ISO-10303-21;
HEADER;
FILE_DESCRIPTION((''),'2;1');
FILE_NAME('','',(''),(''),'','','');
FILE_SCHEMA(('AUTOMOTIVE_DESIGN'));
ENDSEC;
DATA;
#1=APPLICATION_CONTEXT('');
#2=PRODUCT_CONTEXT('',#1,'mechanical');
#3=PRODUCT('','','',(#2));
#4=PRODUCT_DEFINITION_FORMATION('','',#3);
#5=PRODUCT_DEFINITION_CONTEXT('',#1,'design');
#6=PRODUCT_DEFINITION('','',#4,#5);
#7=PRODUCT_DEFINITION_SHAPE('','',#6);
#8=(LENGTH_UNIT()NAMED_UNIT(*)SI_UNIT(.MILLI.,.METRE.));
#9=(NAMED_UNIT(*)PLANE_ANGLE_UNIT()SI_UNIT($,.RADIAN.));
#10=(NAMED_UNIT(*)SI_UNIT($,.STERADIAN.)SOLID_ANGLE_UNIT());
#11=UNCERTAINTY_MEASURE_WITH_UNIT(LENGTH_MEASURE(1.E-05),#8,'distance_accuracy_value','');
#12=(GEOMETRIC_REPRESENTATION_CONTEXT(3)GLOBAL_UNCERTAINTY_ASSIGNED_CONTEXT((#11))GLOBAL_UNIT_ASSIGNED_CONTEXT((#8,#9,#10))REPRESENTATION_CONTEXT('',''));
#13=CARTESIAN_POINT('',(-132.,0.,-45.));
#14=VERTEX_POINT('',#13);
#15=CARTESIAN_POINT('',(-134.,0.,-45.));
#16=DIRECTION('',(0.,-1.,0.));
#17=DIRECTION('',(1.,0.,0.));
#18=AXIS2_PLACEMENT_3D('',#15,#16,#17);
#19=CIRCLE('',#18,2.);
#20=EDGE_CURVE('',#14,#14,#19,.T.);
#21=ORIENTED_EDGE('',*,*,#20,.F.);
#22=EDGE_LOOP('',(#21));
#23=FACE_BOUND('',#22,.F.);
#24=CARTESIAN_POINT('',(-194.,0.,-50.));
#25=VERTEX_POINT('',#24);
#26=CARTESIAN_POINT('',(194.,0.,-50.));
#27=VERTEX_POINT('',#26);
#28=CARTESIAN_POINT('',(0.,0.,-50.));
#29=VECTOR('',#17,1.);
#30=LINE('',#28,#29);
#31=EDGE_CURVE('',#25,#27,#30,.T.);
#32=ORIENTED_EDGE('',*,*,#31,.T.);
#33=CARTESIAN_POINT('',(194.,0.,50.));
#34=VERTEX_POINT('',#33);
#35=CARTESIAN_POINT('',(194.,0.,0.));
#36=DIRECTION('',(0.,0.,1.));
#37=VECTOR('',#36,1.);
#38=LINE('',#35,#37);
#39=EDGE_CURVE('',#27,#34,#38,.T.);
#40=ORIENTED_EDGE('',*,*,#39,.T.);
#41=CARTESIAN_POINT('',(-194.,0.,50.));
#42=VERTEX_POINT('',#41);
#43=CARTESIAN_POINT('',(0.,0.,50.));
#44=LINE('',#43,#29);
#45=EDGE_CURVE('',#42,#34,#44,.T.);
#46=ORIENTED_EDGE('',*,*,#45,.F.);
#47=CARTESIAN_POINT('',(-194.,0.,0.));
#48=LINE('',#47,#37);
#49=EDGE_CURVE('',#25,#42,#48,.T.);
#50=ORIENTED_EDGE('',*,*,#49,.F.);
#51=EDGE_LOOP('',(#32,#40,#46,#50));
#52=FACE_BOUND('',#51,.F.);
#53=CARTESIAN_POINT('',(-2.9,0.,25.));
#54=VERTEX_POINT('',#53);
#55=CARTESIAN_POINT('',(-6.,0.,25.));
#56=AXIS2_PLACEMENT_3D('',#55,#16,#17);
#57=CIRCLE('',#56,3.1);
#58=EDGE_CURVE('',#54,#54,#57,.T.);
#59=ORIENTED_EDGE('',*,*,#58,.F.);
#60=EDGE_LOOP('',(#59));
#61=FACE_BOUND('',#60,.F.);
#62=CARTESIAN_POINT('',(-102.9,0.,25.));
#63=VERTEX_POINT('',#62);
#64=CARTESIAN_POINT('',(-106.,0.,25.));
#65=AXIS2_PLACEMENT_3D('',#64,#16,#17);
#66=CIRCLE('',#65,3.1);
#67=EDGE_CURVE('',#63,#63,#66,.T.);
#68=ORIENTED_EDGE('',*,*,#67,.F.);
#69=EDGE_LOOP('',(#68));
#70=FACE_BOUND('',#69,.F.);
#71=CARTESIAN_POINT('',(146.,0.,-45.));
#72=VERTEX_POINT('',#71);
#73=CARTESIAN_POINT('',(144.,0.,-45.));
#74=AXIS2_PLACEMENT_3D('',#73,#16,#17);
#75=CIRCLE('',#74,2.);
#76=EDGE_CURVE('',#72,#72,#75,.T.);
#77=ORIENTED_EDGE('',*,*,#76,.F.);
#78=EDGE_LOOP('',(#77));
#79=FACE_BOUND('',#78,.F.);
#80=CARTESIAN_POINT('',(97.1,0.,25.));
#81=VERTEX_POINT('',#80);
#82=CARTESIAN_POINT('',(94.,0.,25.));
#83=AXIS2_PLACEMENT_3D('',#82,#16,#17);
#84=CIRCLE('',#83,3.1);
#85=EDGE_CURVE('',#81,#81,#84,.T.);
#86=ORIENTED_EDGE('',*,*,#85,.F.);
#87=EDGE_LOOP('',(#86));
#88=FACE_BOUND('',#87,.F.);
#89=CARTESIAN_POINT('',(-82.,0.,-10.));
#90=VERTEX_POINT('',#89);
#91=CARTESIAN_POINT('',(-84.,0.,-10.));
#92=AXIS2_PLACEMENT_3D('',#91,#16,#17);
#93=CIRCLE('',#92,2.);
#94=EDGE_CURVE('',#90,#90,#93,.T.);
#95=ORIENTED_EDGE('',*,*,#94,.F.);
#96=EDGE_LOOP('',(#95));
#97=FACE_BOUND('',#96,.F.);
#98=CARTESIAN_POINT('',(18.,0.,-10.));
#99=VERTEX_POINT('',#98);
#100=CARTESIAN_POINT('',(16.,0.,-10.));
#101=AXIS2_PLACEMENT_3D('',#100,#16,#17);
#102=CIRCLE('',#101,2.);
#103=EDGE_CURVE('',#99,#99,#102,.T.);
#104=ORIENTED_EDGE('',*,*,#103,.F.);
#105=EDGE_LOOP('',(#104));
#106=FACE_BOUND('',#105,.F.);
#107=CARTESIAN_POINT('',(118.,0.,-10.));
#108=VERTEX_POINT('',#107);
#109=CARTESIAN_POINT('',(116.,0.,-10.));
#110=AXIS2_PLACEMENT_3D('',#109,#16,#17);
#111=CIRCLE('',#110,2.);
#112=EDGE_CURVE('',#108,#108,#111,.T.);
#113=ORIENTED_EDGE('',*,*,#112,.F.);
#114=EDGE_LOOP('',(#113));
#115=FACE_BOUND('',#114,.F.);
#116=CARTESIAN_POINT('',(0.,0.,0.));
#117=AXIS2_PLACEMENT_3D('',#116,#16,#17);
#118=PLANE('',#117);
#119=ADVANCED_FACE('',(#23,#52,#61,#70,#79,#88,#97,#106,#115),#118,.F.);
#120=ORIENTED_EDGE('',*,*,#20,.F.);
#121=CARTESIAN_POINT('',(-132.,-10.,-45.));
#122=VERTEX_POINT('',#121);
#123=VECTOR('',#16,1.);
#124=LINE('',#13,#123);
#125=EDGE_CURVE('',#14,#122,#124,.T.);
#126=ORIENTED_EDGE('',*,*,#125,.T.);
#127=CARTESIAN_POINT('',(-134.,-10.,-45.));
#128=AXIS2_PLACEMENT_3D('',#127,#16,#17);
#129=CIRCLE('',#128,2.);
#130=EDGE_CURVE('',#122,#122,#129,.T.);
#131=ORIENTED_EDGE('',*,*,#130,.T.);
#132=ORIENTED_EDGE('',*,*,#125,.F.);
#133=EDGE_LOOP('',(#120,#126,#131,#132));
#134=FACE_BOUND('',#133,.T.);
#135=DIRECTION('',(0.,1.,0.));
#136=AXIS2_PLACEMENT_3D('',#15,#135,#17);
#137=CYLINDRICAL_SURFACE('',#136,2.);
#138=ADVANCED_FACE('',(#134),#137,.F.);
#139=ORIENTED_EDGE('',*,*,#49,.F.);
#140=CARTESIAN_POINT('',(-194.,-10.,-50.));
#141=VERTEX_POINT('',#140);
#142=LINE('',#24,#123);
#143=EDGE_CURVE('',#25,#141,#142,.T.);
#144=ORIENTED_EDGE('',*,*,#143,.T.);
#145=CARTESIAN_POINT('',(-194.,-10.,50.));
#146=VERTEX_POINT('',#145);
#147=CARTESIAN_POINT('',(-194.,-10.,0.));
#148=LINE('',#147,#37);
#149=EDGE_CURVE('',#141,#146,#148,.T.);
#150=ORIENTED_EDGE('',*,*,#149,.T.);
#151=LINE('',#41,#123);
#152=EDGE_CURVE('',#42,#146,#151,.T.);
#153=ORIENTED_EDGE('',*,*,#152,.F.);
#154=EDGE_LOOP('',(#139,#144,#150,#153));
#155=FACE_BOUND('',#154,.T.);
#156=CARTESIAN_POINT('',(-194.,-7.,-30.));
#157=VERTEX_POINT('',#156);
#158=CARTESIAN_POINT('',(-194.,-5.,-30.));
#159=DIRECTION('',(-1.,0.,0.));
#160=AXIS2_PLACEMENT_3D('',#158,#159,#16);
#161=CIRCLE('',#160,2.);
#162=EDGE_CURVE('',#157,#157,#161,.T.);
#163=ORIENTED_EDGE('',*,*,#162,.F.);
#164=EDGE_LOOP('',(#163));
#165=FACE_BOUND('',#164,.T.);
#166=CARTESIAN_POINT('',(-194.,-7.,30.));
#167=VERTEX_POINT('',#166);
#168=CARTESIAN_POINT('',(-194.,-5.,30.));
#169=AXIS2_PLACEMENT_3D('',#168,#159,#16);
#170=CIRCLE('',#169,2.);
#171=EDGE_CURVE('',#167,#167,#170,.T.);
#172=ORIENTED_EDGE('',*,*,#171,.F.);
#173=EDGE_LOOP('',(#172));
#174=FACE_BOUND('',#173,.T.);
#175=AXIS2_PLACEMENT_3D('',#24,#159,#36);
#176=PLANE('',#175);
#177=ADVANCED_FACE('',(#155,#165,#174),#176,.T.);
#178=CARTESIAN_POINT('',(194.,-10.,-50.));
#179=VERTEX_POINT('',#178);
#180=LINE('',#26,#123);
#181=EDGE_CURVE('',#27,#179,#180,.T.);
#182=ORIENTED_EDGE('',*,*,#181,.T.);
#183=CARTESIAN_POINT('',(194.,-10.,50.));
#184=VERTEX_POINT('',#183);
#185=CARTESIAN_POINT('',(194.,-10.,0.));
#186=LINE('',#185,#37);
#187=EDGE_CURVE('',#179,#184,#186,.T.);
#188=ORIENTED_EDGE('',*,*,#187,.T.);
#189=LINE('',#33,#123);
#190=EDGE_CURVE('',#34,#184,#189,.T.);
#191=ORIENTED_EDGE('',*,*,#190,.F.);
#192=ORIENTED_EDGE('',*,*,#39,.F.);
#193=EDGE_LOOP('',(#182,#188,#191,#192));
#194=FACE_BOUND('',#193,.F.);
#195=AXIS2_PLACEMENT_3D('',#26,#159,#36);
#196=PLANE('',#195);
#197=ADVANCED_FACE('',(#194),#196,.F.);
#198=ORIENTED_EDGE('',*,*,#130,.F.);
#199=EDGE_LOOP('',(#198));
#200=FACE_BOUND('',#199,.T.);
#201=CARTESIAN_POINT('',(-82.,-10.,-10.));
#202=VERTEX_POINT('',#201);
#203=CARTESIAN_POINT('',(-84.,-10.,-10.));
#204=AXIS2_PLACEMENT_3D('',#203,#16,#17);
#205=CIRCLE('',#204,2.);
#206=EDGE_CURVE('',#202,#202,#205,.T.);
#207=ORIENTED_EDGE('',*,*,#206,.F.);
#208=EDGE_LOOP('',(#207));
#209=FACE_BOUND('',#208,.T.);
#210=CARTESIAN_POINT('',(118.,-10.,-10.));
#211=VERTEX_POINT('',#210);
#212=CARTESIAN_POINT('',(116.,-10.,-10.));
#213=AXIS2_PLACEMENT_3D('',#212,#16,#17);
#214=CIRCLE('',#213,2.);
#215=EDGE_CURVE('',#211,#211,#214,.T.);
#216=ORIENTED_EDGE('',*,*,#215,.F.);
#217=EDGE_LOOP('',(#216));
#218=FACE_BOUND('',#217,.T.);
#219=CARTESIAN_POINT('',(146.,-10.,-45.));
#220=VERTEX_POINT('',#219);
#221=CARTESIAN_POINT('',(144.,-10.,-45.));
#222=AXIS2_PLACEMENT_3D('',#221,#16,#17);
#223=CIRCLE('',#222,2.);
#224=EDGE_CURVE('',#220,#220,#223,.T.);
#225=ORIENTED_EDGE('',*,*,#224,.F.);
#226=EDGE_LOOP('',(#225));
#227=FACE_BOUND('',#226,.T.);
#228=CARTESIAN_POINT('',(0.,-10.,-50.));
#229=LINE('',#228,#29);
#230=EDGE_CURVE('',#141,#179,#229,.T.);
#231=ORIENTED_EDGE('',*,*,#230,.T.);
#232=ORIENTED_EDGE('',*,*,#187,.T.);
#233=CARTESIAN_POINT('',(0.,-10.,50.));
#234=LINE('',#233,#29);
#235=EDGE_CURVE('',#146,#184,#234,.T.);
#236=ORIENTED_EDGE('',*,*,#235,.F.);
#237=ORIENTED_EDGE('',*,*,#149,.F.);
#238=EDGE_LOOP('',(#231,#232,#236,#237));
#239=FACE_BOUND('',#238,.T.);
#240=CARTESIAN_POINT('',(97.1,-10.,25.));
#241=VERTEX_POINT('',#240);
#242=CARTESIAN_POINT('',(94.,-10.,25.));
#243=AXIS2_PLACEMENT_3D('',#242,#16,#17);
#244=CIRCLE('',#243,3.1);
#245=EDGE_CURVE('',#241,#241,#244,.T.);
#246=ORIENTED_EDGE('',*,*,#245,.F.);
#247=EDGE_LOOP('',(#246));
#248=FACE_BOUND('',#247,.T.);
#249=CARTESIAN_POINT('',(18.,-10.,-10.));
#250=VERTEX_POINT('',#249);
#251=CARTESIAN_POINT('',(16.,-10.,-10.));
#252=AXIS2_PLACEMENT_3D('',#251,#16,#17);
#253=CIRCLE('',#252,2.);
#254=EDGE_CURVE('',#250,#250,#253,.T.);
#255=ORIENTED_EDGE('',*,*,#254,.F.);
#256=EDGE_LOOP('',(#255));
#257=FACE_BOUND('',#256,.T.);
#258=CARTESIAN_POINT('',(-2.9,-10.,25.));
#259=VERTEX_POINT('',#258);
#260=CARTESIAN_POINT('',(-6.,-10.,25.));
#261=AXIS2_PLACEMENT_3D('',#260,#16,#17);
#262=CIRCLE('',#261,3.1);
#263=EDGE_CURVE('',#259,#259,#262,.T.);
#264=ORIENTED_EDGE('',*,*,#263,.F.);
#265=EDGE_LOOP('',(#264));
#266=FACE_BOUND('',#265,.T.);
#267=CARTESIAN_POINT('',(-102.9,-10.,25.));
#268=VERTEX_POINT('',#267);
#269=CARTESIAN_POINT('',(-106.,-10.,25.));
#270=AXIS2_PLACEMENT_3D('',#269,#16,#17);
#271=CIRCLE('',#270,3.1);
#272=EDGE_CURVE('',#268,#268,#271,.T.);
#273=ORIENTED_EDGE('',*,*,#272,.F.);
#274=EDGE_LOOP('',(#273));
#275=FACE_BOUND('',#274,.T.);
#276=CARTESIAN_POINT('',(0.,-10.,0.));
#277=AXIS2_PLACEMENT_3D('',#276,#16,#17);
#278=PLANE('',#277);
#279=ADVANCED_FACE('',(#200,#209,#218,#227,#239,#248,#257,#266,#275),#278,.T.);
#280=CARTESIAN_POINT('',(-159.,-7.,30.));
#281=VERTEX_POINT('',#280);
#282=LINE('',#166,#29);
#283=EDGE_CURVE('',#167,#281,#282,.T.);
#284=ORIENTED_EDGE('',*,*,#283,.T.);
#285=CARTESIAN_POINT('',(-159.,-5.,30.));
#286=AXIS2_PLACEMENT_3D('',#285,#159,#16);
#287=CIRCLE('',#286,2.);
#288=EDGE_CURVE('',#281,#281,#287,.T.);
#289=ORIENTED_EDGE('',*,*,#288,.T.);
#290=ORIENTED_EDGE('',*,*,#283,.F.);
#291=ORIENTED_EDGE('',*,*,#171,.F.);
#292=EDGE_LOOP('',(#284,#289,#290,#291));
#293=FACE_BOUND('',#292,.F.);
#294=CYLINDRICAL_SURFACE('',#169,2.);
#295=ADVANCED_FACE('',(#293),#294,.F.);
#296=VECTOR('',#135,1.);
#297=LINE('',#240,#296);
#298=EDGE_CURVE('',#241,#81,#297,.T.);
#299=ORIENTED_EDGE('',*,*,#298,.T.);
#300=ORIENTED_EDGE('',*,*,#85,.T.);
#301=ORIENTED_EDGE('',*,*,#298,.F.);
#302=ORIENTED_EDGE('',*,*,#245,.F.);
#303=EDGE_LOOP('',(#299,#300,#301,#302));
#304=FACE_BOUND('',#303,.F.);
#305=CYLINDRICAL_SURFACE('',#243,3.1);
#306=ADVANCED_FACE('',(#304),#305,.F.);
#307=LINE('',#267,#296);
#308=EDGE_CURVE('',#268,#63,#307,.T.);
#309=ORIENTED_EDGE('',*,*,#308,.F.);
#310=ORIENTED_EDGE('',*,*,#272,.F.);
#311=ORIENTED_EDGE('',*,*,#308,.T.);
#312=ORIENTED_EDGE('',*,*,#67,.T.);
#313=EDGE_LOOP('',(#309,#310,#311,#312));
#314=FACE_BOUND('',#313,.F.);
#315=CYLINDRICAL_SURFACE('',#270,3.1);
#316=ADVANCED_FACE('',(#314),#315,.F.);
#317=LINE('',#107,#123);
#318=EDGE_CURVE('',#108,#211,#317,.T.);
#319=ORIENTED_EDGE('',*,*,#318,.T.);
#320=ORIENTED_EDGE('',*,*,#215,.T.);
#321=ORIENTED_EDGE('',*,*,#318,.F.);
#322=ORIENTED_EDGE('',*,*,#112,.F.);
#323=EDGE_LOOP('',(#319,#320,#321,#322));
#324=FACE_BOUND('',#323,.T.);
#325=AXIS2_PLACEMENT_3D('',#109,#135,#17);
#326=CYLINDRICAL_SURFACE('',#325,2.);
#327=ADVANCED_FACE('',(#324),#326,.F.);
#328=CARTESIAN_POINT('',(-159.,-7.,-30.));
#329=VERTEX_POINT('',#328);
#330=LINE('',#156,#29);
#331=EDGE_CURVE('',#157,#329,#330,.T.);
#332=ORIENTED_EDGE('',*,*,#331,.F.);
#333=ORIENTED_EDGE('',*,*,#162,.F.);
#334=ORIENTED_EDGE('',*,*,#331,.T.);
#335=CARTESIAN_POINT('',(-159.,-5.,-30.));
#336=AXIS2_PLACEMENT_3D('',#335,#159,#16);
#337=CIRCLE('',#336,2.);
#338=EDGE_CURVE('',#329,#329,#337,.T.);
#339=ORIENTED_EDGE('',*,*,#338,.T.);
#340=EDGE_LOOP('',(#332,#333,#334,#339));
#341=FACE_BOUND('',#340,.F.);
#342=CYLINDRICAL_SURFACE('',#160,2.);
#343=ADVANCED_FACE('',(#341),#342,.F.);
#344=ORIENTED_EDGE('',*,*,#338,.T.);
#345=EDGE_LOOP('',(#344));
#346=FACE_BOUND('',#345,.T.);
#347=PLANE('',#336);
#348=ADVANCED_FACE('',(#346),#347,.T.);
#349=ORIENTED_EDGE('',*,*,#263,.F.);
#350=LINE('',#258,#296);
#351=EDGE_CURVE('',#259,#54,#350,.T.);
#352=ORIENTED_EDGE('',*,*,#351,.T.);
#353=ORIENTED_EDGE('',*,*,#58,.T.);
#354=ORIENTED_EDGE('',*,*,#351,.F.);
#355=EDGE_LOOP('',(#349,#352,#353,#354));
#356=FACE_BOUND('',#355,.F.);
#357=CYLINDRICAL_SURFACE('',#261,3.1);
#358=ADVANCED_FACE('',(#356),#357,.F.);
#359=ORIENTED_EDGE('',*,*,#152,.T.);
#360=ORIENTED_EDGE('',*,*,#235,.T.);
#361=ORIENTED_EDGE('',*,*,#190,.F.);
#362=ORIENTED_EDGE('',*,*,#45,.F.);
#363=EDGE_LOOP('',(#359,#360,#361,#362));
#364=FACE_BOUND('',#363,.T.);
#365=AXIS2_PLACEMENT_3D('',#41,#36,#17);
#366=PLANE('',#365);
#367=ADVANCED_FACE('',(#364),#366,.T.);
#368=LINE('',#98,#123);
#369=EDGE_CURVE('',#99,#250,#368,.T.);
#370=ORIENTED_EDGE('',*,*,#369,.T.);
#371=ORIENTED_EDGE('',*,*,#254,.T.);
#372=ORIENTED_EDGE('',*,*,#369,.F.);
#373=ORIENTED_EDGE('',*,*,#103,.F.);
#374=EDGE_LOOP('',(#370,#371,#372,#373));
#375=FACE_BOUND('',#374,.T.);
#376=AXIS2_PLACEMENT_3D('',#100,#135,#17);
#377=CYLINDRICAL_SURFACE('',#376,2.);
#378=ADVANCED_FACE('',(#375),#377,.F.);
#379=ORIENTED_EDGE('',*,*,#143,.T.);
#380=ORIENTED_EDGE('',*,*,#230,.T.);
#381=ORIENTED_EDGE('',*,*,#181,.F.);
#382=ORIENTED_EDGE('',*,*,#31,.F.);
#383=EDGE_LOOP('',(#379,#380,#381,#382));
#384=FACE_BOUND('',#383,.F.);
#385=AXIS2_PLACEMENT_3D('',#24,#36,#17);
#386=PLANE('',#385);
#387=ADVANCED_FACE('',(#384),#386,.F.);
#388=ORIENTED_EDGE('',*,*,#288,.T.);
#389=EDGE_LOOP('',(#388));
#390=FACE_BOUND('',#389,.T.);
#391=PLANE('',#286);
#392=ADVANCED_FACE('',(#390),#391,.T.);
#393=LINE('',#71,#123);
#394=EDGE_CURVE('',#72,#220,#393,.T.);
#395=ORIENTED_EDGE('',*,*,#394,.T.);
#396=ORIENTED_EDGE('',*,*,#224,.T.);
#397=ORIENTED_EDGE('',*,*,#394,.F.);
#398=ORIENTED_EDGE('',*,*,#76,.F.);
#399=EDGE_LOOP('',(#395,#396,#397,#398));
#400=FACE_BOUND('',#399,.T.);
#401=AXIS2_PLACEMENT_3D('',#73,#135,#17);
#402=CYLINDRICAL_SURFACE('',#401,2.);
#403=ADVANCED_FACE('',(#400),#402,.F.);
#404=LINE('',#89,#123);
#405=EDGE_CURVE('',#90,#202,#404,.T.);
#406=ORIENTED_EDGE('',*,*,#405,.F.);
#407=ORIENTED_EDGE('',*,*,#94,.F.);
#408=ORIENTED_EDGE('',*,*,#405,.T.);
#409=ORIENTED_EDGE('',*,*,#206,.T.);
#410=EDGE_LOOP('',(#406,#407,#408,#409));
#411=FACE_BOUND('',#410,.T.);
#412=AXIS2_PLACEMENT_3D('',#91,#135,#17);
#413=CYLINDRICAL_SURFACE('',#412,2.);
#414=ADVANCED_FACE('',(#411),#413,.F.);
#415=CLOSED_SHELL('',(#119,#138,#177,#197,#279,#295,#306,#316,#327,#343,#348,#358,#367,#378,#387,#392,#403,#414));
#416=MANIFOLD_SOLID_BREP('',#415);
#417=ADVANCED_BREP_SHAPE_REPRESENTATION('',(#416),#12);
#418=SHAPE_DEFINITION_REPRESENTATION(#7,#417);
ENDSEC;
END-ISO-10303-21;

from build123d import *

# Parameters (mm, degrees)
F0_W     = 388
F0_H     = 100
F0_R     = 2
F1_DEPTH = 10
F2_R     = 3.1
F3_DEPTH = 25
F4_R     = 2
F5_DEPTH = 35


with BuildPart() as f1:
    # F0 (on Front) → F1 (new body)
    with BuildSketch(Plane.XZ):
        Rectangle(F0_W, F0_H)
        with Locations((-134, -45)):
            Circle(F0_R, mode=Mode.SUBTRACT)
        with Locations((-84, -10)):
            Circle(F0_R, mode=Mode.SUBTRACT)
        with Locations((144, -45)):
            Circle(F0_R, mode=Mode.SUBTRACT)
        with Locations((16, -10)):
            Circle(F0_R, mode=Mode.SUBTRACT)
        with Locations((116, -10)):
            Circle(F0_R, mode=Mode.SUBTRACT)
    extrude(amount=F1_DEPTH)

    # F2 (on face) → F3 (cut)
    with BuildSketch(Plane.XZ.offset(10)):
        with Locations((-6, 25)):
            Circle(F2_R)
        with Locations((94, 25)):
            Circle(F2_R)
        with Locations((-106, 25)):
            Circle(F2_R)
    extrude(amount=-F3_DEPTH, mode=Mode.SUBTRACT)

    # F4 (on face) → F5 (cut)
    with BuildSketch(Plane(origin=(-194, 0, 0), x_dir=(0, -1, 0), z_dir=(-1, 0, 0))):
        with Locations((5, -30)):
            Circle(F4_R)
        with Locations((5, 30)):
            Circle(F4_R)
    extrude(amount=-F5_DEPTH, mode=Mode.SUBTRACT)


solid = f1.part
